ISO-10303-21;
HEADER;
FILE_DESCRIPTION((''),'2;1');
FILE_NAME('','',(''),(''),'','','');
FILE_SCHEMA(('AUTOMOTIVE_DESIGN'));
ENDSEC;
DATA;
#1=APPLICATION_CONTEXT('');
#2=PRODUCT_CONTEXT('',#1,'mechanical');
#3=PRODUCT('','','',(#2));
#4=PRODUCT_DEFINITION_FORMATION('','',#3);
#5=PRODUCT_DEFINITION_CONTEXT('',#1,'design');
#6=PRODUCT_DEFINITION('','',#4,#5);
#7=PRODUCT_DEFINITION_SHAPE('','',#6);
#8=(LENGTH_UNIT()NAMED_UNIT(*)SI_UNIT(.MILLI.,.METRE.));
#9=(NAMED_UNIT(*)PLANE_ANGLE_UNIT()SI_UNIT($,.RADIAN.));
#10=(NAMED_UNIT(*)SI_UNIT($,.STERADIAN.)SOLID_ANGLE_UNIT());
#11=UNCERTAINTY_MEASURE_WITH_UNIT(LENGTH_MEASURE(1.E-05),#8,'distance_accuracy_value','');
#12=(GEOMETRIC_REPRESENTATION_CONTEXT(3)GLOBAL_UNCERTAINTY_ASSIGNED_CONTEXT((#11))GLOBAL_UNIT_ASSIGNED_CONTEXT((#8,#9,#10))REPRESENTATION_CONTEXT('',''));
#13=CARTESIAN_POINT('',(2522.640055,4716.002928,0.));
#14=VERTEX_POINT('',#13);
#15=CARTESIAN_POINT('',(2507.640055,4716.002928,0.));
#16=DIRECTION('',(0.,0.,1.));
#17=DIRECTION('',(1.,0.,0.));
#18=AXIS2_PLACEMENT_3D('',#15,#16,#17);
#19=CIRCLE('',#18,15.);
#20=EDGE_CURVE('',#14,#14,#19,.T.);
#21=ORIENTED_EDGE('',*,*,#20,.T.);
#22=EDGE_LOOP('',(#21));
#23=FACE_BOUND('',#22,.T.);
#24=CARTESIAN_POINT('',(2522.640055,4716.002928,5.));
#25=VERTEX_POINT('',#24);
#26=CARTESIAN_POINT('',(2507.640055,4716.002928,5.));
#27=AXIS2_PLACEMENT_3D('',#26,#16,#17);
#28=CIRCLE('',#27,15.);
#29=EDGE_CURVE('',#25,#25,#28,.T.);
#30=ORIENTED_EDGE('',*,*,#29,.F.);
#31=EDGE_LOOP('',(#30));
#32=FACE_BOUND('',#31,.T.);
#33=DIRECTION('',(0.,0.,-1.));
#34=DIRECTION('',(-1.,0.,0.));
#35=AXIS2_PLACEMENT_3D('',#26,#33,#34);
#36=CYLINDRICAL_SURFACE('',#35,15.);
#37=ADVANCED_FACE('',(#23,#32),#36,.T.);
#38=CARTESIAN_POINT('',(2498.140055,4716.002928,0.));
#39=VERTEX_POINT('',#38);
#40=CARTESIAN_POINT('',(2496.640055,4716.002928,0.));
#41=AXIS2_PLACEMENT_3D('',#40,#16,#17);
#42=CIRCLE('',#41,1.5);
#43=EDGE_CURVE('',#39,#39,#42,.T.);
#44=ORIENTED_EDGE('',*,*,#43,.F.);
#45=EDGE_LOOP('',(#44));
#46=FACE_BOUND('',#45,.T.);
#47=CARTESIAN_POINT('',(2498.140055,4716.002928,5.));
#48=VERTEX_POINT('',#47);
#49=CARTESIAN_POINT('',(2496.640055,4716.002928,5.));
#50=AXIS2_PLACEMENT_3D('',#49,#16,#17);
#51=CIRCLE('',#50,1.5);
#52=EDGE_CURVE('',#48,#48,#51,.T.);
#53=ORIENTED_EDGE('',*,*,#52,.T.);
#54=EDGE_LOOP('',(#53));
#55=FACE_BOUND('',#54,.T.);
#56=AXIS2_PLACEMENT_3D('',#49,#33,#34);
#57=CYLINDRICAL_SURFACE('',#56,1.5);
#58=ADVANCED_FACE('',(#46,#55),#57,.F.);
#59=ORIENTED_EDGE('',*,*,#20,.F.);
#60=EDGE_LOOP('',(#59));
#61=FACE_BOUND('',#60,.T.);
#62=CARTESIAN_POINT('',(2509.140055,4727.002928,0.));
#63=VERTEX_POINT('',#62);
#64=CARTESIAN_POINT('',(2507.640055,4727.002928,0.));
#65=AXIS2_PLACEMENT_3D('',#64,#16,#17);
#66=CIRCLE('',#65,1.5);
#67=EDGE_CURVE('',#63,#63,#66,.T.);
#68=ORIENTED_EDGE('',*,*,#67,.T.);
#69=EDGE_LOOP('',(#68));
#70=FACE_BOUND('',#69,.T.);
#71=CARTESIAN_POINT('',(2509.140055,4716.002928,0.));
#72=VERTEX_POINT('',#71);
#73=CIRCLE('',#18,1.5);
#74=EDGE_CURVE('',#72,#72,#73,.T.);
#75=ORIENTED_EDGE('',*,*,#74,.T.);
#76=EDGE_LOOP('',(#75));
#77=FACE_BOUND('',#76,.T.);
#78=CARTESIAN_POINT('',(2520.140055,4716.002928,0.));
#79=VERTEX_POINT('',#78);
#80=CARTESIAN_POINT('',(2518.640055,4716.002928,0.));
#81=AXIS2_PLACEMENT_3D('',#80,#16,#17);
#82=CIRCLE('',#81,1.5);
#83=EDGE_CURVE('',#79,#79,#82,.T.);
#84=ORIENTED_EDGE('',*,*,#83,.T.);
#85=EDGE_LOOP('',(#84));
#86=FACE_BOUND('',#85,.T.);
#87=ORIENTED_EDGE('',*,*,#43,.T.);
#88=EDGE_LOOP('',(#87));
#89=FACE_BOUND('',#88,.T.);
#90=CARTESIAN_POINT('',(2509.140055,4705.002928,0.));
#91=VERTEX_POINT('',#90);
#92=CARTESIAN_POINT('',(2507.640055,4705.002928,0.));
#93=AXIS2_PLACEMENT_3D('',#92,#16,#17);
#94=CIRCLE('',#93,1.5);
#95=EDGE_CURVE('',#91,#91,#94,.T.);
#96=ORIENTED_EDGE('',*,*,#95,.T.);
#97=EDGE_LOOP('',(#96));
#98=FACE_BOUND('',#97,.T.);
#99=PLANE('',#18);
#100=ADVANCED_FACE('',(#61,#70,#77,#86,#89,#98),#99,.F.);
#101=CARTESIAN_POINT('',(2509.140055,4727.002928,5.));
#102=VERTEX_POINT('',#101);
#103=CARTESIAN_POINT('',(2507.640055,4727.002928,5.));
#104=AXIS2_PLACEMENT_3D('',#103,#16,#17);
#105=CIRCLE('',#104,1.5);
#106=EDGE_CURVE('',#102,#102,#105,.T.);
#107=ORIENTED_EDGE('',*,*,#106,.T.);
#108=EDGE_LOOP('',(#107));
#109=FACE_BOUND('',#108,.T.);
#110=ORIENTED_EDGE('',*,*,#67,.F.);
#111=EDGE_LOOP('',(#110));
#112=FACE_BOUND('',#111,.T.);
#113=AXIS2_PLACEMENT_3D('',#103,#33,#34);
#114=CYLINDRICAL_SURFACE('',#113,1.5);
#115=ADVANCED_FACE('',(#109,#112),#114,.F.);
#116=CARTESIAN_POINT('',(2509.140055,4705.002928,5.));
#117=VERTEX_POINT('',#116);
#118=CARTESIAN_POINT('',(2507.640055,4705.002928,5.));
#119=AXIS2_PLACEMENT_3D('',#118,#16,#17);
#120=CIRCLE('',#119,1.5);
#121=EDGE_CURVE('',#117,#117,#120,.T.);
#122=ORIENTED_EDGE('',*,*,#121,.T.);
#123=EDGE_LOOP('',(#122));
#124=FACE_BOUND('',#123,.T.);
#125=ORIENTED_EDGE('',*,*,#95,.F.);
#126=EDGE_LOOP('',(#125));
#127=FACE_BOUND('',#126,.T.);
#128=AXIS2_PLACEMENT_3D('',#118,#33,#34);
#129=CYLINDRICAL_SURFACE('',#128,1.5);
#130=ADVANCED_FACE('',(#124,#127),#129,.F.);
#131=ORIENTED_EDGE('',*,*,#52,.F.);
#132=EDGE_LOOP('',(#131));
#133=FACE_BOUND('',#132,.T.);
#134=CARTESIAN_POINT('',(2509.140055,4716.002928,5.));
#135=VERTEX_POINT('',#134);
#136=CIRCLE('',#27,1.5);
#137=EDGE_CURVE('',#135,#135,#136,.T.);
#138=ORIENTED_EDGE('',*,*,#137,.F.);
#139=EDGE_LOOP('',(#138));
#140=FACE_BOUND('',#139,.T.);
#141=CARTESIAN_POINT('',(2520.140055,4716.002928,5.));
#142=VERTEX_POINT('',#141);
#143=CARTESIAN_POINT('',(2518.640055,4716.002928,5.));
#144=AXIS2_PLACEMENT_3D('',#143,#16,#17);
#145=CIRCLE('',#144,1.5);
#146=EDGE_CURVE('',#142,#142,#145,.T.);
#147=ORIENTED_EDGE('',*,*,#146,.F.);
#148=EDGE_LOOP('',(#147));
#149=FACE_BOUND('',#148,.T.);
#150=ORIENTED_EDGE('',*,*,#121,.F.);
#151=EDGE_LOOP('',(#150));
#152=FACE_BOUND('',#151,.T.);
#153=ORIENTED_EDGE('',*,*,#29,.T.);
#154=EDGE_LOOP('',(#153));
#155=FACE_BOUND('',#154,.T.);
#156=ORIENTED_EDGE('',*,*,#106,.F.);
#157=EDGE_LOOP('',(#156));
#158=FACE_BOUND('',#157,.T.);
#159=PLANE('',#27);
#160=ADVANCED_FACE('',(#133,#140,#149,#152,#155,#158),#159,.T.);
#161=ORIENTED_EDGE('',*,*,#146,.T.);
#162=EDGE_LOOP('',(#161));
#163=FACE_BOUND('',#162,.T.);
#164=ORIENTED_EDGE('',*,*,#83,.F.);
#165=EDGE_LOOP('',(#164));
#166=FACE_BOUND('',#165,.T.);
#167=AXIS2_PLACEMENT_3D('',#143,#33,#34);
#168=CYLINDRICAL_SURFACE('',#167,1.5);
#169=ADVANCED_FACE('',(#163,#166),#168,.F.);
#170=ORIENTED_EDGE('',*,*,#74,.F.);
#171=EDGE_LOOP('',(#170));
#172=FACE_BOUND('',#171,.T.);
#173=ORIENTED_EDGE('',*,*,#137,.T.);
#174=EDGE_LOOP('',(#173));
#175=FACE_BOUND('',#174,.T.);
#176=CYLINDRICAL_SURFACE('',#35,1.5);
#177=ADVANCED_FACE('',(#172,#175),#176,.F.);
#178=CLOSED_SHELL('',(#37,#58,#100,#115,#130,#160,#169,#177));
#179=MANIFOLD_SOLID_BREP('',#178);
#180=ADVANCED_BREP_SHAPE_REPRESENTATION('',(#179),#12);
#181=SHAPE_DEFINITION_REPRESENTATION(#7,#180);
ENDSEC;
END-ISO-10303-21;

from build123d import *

# Parameters (mm, degrees)
SKETCH_2_R      = 15
SKETCH_2_R_2    = 1.5
EXTRUDE_1_DEPTH = 5


with BuildPart() as part:
    # 草图2 → 凸台-拉伸1 (new body)
    with BuildSketch(Plane.XY):
        with Locations((2507.640054531, 4716.002927903)):
            Circle(SKETCH_2_R)
        with Locations((2507.640054531, 4716.002927903)):
            Circle(SKETCH_2_R_2, mode=Mode.SUBTRACT)
        with Locations((2507.640054531, 4705.002927903)):
            Circle(SKETCH_2_R_2, mode=Mode.SUBTRACT)
        with Locations((2507.640054531, 4727.002927903)):
            Circle(SKETCH_2_R_2, mode=Mode.SUBTRACT)
        with Locations((2496.640054531, 4716.002927903)):
            Circle(SKETCH_2_R_2, mode=Mode.SUBTRACT)
        with Locations((2518.640054531, 4716.002927903)):
            Circle(SKETCH_2_R_2, mode=Mode.SUBTRACT)
    extrude(amount=EXTRUDE_1_DEPTH)


solid = part.part
